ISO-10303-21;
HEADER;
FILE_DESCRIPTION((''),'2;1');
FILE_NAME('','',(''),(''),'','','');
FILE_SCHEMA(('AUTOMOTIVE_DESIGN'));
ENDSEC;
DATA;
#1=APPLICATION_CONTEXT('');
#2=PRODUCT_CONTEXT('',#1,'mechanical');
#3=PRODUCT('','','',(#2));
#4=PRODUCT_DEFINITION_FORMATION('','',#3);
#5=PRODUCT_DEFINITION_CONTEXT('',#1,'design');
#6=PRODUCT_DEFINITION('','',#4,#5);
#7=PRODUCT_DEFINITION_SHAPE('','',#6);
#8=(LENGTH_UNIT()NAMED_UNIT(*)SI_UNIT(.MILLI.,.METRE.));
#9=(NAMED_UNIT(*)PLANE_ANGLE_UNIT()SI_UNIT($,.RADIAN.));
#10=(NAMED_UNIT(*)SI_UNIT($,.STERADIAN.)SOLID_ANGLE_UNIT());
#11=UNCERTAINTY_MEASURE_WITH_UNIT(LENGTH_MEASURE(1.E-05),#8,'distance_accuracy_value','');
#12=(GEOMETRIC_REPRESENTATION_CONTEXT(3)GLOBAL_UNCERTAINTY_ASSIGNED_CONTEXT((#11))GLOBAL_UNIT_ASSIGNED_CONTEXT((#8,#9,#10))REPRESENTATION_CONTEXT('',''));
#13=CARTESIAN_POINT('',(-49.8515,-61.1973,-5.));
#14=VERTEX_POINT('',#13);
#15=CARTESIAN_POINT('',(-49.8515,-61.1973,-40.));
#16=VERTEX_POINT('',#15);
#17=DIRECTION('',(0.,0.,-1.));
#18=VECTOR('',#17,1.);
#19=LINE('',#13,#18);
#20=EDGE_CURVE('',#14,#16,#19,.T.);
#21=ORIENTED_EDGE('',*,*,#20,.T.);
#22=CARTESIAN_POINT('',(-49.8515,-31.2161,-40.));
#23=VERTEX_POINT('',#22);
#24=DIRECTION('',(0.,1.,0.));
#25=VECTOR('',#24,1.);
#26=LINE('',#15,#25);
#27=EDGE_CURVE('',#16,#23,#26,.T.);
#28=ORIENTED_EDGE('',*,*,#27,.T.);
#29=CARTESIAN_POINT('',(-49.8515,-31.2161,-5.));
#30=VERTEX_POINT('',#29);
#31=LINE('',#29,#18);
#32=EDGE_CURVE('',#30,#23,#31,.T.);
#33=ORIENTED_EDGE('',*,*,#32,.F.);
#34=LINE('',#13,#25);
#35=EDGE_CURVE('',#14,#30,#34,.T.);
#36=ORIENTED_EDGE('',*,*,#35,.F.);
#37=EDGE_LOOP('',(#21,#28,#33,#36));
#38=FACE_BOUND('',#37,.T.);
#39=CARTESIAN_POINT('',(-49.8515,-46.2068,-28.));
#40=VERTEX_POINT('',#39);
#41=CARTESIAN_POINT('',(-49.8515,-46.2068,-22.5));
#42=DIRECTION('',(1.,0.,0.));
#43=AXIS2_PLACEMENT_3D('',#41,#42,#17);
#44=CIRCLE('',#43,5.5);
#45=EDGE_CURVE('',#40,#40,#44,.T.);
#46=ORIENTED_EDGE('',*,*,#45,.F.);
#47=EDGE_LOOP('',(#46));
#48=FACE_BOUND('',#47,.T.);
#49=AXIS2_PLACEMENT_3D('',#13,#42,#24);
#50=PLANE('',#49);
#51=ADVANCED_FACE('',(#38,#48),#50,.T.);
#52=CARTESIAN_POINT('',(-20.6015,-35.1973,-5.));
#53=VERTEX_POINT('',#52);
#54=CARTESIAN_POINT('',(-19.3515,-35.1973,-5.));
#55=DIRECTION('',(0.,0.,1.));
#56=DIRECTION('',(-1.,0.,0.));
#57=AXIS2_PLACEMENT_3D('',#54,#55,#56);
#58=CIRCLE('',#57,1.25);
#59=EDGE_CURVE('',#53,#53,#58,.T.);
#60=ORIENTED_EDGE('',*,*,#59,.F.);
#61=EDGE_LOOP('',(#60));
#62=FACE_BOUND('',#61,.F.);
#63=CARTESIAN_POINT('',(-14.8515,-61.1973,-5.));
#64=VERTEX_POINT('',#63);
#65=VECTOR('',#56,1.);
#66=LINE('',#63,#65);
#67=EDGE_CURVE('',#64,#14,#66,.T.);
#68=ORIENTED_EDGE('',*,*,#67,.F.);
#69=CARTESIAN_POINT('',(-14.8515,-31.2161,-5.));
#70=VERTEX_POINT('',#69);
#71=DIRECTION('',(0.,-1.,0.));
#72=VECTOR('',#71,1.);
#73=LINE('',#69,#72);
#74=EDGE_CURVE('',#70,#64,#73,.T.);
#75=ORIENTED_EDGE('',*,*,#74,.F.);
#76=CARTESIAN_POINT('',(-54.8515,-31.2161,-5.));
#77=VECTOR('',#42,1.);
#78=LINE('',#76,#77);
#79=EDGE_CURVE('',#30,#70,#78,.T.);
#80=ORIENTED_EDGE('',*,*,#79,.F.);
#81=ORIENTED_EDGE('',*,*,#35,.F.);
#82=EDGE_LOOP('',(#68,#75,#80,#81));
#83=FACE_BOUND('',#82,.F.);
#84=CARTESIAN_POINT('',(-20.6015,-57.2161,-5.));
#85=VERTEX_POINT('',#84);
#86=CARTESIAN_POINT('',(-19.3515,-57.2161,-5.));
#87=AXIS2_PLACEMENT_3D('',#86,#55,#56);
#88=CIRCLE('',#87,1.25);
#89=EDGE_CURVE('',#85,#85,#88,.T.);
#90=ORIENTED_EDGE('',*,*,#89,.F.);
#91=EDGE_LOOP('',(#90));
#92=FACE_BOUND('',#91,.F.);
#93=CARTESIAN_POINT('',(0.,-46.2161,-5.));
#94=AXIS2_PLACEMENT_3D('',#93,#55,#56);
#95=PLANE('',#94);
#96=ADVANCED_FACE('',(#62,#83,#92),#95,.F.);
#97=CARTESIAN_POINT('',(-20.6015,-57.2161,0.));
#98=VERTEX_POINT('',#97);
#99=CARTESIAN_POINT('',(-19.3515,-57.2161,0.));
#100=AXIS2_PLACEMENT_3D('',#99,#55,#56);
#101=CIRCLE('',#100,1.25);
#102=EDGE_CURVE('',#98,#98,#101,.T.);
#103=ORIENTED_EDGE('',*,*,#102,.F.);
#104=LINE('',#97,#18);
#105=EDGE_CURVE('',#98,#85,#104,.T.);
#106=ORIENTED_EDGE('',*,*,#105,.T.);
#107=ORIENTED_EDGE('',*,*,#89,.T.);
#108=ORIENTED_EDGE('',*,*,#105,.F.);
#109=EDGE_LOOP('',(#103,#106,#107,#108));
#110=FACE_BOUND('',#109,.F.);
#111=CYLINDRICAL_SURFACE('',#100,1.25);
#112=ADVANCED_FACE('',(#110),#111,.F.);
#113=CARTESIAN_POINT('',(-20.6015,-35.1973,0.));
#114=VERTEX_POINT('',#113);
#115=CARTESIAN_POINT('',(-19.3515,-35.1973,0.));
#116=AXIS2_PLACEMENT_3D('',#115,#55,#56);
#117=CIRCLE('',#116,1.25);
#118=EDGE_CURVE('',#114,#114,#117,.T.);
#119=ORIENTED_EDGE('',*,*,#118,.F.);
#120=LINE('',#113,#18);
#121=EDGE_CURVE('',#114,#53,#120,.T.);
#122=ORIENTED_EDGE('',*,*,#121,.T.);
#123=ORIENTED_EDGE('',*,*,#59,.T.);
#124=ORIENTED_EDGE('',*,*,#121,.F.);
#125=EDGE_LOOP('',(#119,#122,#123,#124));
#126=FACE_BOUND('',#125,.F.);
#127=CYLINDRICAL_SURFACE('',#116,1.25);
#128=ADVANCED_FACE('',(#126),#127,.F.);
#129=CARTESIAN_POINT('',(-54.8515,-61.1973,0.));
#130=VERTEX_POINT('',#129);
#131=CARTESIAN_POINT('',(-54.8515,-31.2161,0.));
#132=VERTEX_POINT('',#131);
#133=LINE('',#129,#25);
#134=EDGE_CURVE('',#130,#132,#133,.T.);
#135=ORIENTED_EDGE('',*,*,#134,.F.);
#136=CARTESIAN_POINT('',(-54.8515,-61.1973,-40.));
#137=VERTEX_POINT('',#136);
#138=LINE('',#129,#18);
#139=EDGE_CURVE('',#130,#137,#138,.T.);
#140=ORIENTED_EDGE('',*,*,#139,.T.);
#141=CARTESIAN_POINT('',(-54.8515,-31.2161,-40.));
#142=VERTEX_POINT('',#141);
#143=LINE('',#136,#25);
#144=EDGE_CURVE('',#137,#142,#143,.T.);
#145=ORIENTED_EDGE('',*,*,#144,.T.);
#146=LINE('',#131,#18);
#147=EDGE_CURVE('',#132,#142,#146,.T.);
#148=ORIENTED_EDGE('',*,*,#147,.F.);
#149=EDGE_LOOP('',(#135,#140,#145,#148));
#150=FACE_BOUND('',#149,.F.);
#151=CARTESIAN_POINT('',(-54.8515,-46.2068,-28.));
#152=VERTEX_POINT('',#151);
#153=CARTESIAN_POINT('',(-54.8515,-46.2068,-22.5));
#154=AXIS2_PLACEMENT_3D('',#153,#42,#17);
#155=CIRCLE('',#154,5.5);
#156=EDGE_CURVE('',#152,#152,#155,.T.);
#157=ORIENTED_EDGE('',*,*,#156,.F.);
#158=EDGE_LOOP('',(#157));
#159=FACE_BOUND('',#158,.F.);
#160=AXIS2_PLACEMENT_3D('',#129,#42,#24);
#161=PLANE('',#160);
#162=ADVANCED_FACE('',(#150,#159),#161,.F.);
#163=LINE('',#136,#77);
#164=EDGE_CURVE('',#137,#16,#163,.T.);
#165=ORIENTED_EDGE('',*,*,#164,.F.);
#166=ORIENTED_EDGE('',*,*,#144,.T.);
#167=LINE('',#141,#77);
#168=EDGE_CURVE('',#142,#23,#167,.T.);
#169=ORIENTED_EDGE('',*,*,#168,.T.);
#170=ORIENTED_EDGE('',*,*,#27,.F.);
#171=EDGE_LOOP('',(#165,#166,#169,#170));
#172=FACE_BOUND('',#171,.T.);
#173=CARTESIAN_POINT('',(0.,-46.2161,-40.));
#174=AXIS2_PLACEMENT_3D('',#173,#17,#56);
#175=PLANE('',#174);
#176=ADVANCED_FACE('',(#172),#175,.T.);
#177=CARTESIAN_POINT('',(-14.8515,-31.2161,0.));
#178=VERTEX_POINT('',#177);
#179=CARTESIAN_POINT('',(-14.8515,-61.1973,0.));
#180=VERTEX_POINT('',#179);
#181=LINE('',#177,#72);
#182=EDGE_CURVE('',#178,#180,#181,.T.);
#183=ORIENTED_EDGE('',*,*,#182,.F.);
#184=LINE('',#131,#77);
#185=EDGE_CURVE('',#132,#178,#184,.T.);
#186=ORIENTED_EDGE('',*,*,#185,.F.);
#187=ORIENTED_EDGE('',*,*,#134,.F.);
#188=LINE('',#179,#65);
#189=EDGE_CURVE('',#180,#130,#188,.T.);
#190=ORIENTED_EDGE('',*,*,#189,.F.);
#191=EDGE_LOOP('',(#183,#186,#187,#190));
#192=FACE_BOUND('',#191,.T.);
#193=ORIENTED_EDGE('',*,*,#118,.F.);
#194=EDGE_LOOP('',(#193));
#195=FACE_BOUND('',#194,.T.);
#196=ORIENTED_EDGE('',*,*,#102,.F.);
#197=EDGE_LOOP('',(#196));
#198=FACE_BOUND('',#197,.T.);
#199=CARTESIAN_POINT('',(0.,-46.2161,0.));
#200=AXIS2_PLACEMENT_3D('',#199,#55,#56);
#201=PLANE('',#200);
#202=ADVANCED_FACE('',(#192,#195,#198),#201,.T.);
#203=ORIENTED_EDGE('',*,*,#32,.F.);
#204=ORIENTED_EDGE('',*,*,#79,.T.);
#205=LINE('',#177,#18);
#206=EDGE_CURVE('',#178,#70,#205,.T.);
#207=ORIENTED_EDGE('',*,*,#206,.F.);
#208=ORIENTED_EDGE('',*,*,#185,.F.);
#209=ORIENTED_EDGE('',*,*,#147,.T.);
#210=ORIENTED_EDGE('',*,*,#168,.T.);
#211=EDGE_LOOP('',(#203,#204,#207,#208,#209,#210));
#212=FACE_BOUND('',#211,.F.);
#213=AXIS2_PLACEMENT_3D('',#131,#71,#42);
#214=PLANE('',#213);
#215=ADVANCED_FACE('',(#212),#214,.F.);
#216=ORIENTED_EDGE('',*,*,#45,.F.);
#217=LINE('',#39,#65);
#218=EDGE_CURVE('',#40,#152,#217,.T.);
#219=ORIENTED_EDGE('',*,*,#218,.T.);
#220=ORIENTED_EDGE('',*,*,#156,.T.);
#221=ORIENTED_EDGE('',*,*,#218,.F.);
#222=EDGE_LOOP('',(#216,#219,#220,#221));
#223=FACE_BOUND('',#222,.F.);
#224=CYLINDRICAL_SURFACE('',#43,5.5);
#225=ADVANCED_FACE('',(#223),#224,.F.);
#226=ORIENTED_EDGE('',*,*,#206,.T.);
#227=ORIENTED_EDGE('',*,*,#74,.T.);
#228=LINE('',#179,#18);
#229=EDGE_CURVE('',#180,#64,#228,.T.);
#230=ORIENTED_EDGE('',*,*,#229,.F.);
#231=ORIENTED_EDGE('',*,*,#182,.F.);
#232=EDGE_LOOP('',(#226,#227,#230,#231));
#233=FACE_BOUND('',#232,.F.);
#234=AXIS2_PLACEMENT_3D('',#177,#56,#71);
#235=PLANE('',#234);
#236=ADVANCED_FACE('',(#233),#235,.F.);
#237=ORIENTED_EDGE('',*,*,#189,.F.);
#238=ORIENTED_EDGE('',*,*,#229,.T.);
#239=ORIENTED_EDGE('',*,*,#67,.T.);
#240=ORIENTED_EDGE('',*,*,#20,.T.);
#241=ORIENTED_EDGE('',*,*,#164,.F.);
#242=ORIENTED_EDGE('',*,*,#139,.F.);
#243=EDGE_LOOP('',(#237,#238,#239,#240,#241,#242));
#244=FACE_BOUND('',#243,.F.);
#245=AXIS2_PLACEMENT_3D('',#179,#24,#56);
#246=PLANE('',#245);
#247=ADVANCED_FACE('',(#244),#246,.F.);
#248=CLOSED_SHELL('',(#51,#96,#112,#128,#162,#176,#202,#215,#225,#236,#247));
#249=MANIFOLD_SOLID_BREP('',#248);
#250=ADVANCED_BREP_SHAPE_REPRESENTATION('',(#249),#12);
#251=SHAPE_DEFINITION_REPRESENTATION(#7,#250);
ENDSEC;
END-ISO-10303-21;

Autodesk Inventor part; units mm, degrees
ref_plane "YZ Plane" through (0, 0, 0) normal (1, 0, 0) x (0, 1, 0)
ref_plane "XZ Plane" through (0, 0, 0) normal (0, 1, 0) x (-1, 0, 0)
ref_plane "Plano de trabajo1" through (0, -46.2161, 0) normal (0, 0, 1) x (-1, 0, 0)
sketch "Boceto1" plane through (0, -46.2161, 0) normal (0, 0, 1) x (-1, 0, 0)
  line L0 (14.8515, 14.9812) -> (54.8515, 14.9812)
  line L1 (14.8515, -15) -> (14.8515, 14.9812)
  line L2 (54.8515, -15) -> (14.8515, -15)
  line L3 (54.8515, 14.9812) -> (54.8515, -15)
  circle A0 centre (19.3515, 11) radius 1.25
  circle A1 centre (19.3515, -11.0188) radius 1.25
  point P0 (0, -46.2161)
extrude "Extrusión1" add sketch "Boceto1" against normal blind 5
sketch "Boceto2" plane through (0, -46.2161, -5) normal (0, 0, -1) x (-1, 0, 0)
  line L0 (54.8515, -14.9812) -> (54.8515, 15) projected
  line L1 (54.8515, 15) -> (14.8515, 15) projected
  line L2 (54.8515, -14.9812) -> (49.8515, -14.9812)
  line L3 (49.8515, -14.9812) -> (49.8515, 15)
  line L4 (49.8515, 15) -> (54.8515, 15)
  line L5 (54.8515, 15) -> (54.8515, -14.9812)
  point P0 (0, 46.2161)
  dimension "d2" = 5
extrude "Extrusión2" add sketch "Boceto2" along normal blind 35
sketch "Boceto3" plane through (-49.8515, -61.1974, -5) normal (1, 0, 0) x (0, 0, -1)
  line L0 (0, 0) -> (35, 0)
  line L1 (35, 0) -> (35, 29.9812)
  line L2 (35, 29.9812) -> (0, 29.9812)
  line L3 (0, 29.9812) -> (0, 0)
  line L4 (0, 0) -> (35, 0) projected
  line L5 (0, 29.9812) -> (35, 29.9812) projected
  circle A0 centre (17.5, 14.9906) radius 5.5
  point P0 (-5, 61.1974)
  dimension "d5" = 11
extrude "Extrusión3" cut sketch "Boceto3" against normal blind 35 contours A0
thread "Rosca1" size "M11x1.5" class "6H" standard "ANSI Metric M Profile" full length
properties part number "Soporte"
